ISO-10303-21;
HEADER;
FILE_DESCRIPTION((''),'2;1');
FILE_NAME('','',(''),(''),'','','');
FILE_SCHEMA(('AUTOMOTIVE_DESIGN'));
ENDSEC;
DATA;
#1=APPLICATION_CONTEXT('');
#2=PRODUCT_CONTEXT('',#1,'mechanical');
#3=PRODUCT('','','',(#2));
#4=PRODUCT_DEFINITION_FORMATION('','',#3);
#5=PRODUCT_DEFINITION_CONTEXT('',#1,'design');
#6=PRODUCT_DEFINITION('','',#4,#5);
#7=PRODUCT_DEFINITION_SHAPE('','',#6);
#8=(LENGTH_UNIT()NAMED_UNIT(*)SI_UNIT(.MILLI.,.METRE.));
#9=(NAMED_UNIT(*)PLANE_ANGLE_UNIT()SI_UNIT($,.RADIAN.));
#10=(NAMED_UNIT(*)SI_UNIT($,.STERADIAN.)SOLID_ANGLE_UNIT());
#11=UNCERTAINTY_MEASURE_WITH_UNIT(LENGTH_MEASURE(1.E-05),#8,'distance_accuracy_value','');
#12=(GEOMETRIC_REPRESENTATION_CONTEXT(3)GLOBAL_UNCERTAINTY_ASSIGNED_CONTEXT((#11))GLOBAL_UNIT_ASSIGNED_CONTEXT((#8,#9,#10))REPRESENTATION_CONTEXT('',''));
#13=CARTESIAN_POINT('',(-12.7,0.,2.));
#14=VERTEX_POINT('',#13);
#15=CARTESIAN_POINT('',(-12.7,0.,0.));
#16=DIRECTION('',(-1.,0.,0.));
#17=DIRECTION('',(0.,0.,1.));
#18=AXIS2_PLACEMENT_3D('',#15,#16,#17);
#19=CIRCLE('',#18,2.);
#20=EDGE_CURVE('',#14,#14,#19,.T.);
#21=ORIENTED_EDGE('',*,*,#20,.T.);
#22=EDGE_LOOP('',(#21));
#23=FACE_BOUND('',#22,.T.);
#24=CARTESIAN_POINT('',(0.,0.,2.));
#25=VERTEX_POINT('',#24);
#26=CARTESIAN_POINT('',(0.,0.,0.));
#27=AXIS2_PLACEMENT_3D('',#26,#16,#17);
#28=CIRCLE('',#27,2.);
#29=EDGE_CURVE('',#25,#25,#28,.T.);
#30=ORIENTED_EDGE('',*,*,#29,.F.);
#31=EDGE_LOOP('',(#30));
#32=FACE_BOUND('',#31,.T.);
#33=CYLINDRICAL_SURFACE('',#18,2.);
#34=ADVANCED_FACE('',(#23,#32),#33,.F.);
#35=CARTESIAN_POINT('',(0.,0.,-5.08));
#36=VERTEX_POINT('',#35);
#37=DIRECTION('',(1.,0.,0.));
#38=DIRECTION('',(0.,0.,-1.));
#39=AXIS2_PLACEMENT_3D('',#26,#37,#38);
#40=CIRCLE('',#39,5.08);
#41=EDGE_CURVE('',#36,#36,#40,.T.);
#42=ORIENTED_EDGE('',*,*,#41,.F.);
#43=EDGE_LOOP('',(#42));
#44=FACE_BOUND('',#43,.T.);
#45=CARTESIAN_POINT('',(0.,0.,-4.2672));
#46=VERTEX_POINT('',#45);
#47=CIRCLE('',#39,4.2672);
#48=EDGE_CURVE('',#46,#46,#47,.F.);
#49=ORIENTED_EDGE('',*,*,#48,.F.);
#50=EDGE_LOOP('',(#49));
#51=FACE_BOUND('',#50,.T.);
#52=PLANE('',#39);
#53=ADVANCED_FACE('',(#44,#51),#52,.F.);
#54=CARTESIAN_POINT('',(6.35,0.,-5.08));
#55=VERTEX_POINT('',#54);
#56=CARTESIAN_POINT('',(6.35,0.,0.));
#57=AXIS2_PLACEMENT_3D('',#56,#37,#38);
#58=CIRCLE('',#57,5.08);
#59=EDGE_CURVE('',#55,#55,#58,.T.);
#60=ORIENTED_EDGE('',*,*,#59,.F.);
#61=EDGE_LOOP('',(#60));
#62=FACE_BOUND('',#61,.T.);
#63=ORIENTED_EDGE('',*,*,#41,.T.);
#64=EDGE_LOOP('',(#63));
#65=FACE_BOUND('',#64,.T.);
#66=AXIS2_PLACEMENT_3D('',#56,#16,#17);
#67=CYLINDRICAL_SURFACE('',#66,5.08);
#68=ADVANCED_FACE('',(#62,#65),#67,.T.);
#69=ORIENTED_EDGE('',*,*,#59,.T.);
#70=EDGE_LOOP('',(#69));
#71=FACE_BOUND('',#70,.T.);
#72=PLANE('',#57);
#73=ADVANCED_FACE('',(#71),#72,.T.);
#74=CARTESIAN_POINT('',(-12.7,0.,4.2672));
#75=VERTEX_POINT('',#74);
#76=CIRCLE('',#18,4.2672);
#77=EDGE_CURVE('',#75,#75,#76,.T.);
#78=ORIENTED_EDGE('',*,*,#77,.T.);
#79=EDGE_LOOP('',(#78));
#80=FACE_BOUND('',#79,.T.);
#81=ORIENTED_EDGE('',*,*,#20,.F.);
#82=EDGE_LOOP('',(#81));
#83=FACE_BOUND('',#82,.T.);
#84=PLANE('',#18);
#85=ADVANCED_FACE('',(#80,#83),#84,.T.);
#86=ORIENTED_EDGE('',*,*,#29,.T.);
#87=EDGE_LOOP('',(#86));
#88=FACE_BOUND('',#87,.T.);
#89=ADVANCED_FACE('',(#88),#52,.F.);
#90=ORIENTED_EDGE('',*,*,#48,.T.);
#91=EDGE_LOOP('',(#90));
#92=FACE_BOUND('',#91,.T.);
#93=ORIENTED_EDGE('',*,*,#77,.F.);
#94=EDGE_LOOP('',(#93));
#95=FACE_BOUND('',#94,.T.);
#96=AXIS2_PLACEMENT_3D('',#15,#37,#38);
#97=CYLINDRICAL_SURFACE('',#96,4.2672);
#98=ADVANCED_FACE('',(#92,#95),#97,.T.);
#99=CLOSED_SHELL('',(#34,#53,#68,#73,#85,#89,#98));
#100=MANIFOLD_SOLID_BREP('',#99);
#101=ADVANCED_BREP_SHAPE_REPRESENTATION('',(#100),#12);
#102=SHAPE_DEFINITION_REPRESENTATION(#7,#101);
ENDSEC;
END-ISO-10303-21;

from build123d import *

# Parameters (mm, degrees)
SKETCH1_R                       = 5.08
BOSS_EXTRUDE1_DEPTH             = 6.35
SKETCH2_R                       = 4.2672
BOSS_EXTRUDE2_DEPTH             = 12.7
F_21_0_159_DIAMETER_HOLE1_D     = 3.999999874
F_21_0_159_DIAMETER_HOLE1_DEPTH = 12.7


with BuildPart() as part:
    # Sketch1 → Boss-Extrude1 (new body)
    with BuildSketch(Plane(origin=(0, 0, 0), x_dir=(0, 0, -1), z_dir=(1, 0, 0))):
        Circle(SKETCH1_R)
    extrude(amount=BOSS_EXTRUDE1_DEPTH)

    # Sketch2 → Boss-Extrude2 (add)
    with BuildSketch(Plane.ZY):
        with Locations(Location((0, 0, 0), (0, 0, 180))):
            Circle(SKETCH2_R)
    extrude(amount=BOSS_EXTRUDE2_DEPTH)

    # #21 (0.159) Diameter Hole1
    with Locations(Plane.ZY.offset(12.7)):
        with Locations((0, 0)):
            Hole(F_21_0_159_DIAMETER_HOLE1_D / 2, depth=F_21_0_159_DIAMETER_HOLE1_DEPTH)


solid = part.part
